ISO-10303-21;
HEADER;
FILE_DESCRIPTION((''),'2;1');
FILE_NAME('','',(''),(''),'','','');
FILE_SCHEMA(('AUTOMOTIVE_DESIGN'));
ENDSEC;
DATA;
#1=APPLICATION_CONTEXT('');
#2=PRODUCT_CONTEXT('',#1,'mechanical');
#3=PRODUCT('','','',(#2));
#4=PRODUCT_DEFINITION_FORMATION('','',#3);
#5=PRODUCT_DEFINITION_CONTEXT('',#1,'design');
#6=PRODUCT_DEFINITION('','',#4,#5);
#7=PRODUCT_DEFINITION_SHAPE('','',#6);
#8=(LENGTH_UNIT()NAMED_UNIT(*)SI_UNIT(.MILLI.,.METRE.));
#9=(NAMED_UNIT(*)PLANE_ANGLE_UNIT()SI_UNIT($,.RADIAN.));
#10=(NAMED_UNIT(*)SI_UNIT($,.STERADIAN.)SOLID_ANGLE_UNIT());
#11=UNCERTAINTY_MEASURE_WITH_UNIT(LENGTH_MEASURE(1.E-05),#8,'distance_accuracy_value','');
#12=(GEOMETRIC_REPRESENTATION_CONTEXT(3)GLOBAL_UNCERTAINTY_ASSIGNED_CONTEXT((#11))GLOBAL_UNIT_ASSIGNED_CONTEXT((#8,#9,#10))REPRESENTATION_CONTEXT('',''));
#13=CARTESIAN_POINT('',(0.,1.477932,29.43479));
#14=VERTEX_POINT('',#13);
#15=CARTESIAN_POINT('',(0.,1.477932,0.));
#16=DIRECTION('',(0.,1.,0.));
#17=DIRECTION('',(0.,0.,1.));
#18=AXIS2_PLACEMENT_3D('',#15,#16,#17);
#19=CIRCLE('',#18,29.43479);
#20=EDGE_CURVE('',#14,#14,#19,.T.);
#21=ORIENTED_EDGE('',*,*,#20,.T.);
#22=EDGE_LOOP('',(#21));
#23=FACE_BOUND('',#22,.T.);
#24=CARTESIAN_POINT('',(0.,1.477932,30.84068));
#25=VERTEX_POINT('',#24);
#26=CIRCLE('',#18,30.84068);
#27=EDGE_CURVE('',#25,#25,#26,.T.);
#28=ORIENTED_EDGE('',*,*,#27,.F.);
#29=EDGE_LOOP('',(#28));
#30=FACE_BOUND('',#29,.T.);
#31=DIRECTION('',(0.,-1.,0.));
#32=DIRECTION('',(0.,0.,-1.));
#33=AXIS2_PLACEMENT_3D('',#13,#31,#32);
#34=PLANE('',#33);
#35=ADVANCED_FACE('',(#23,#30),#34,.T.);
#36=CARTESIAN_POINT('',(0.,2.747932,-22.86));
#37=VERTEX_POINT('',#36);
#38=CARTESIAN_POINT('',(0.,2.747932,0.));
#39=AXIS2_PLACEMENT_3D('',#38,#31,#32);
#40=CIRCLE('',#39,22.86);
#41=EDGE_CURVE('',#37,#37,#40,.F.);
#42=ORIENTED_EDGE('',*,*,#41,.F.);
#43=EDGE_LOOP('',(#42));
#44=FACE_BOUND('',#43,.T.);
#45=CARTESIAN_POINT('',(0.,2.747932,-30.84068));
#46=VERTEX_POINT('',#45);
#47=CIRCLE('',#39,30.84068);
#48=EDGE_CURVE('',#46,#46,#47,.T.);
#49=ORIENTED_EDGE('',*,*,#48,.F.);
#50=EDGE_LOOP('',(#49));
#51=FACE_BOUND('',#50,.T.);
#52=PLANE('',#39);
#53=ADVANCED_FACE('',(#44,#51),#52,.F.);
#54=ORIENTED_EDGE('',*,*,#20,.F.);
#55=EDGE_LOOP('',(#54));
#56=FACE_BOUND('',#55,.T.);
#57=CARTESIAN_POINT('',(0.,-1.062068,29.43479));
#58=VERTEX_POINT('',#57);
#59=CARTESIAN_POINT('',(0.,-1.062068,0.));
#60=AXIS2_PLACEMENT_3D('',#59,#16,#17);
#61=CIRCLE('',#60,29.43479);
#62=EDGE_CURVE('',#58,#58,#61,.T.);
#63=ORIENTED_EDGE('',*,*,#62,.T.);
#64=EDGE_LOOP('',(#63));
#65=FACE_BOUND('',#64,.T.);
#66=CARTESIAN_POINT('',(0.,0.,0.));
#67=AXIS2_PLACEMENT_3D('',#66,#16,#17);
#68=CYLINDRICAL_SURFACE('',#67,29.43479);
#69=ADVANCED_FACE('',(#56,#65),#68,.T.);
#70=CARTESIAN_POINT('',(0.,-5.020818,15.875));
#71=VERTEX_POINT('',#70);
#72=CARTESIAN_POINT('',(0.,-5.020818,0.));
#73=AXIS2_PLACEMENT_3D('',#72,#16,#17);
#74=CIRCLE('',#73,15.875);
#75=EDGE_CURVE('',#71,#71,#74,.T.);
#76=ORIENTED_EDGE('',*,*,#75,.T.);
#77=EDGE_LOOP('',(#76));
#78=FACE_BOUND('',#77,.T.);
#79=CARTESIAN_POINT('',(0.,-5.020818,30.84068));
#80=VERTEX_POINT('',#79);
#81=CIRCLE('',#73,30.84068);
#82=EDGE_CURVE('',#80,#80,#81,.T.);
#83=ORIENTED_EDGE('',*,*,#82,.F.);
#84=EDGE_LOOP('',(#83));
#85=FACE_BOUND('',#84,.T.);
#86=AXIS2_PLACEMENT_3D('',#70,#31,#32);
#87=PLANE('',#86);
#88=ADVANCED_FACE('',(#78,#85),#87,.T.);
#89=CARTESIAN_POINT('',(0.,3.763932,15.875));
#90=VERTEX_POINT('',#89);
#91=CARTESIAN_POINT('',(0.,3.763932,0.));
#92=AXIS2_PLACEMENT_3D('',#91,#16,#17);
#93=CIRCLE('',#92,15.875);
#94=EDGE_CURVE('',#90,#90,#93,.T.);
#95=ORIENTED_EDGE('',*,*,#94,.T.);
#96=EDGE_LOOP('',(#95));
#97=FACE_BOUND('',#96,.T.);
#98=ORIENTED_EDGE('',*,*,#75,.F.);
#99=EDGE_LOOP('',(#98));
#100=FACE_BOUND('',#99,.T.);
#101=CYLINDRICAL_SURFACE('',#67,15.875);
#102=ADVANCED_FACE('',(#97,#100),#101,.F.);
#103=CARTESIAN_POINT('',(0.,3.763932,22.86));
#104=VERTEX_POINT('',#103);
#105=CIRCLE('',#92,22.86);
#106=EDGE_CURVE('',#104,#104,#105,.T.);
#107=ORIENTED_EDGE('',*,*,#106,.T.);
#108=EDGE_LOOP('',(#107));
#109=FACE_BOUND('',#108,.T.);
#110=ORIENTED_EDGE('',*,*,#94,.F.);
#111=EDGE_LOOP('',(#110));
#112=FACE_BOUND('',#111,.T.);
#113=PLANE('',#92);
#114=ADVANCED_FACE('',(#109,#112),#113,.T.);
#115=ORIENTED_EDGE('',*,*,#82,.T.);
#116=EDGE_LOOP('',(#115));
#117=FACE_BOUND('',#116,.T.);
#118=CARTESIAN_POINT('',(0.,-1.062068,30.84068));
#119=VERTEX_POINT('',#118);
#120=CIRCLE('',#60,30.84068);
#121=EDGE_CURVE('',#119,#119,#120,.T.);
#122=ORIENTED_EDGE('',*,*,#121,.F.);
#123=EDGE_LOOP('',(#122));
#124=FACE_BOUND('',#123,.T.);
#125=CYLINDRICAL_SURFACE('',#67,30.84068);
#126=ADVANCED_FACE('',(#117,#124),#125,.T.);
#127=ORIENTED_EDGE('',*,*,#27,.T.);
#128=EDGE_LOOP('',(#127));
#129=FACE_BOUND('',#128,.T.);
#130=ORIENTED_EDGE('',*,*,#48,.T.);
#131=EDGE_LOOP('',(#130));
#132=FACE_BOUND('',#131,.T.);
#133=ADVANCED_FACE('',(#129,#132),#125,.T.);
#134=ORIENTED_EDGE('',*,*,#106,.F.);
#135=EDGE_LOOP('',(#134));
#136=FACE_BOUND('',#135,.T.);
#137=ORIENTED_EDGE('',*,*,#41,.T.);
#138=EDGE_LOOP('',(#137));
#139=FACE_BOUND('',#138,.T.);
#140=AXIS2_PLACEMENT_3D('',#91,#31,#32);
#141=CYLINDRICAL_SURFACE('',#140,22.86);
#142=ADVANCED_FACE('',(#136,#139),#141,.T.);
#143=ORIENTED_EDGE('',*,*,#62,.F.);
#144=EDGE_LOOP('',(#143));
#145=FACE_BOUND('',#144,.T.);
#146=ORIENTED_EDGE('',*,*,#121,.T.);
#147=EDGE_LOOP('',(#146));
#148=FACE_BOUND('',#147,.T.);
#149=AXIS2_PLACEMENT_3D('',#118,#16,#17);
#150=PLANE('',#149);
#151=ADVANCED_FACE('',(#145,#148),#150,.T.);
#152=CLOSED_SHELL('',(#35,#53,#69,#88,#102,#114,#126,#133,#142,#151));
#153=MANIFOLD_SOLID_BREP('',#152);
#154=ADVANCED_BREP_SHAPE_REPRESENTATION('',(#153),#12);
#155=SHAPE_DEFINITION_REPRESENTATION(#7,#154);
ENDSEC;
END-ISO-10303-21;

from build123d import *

# Parameters (mm, degrees)
BANDAID_START                  = 0.053848
SKETCH3_R                      = 30.84068
SKETCH3_R_2                    = 15.875
BANDAID_SOLUTION_THICKER_DEPTH = 0.053848
SKETCH4_R                      = 22.86
SKETCH4_R_2                    = 15.875
LIP_FOR_BEARING_DEPTH          = 1.016


with BuildPart() as part:
    # Sketch1 → Revolve1 (revolve)
    with BuildSketch(Plane(origin=(0, 0, 0), x_dir=(0, 0, -1), z_dir=(1, 0, 0))):
        Polygon((-15.875, 2.694084), (-15.875, -5.020818), (-30.84068, -5.020818), (-30.84068, -1.062068), (-29.43479, -1.062068), (-29.43479, 1.477932), (-30.84068, 1.477932), (-30.84068, 2.694084), align=None)
    revolve(axis=Axis((0, 0, 0), (0, -1, 0)))

    # Sketch3 → BandAid Solution thicker (add)
    with BuildSketch(Plane(origin=(0, 2.694084, 0), x_dir=(1, 0, 0), z_dir=(0, 1, 0)).offset(BANDAID_START)):
        with Locations(Location((0, 0, 0), (0, 0, 270))):
            Circle(SKETCH3_R)
        with Locations(Location((0, 0, 0), (0, 0, 270))):
            Circle(SKETCH3_R_2, mode=Mode.SUBTRACT)
    extrude(amount=-BANDAID_SOLUTION_THICKER_DEPTH)

    # Sketch4 → Lip for Bearing (add)
    with BuildSketch(Plane(origin=(0, 2.747932, 0), x_dir=(1, 0, 0), z_dir=(0, 1, 0))):
        with Locations(Location((0, 0, 0), (0, 0, 90))):
            Circle(SKETCH4_R)
        with Locations(Location((0, 0, 0), (0, 0, 270))):
            Circle(SKETCH4_R_2, mode=Mode.SUBTRACT)
    extrude(amount=LIP_FOR_BEARING_DEPTH)


solid = part.part
